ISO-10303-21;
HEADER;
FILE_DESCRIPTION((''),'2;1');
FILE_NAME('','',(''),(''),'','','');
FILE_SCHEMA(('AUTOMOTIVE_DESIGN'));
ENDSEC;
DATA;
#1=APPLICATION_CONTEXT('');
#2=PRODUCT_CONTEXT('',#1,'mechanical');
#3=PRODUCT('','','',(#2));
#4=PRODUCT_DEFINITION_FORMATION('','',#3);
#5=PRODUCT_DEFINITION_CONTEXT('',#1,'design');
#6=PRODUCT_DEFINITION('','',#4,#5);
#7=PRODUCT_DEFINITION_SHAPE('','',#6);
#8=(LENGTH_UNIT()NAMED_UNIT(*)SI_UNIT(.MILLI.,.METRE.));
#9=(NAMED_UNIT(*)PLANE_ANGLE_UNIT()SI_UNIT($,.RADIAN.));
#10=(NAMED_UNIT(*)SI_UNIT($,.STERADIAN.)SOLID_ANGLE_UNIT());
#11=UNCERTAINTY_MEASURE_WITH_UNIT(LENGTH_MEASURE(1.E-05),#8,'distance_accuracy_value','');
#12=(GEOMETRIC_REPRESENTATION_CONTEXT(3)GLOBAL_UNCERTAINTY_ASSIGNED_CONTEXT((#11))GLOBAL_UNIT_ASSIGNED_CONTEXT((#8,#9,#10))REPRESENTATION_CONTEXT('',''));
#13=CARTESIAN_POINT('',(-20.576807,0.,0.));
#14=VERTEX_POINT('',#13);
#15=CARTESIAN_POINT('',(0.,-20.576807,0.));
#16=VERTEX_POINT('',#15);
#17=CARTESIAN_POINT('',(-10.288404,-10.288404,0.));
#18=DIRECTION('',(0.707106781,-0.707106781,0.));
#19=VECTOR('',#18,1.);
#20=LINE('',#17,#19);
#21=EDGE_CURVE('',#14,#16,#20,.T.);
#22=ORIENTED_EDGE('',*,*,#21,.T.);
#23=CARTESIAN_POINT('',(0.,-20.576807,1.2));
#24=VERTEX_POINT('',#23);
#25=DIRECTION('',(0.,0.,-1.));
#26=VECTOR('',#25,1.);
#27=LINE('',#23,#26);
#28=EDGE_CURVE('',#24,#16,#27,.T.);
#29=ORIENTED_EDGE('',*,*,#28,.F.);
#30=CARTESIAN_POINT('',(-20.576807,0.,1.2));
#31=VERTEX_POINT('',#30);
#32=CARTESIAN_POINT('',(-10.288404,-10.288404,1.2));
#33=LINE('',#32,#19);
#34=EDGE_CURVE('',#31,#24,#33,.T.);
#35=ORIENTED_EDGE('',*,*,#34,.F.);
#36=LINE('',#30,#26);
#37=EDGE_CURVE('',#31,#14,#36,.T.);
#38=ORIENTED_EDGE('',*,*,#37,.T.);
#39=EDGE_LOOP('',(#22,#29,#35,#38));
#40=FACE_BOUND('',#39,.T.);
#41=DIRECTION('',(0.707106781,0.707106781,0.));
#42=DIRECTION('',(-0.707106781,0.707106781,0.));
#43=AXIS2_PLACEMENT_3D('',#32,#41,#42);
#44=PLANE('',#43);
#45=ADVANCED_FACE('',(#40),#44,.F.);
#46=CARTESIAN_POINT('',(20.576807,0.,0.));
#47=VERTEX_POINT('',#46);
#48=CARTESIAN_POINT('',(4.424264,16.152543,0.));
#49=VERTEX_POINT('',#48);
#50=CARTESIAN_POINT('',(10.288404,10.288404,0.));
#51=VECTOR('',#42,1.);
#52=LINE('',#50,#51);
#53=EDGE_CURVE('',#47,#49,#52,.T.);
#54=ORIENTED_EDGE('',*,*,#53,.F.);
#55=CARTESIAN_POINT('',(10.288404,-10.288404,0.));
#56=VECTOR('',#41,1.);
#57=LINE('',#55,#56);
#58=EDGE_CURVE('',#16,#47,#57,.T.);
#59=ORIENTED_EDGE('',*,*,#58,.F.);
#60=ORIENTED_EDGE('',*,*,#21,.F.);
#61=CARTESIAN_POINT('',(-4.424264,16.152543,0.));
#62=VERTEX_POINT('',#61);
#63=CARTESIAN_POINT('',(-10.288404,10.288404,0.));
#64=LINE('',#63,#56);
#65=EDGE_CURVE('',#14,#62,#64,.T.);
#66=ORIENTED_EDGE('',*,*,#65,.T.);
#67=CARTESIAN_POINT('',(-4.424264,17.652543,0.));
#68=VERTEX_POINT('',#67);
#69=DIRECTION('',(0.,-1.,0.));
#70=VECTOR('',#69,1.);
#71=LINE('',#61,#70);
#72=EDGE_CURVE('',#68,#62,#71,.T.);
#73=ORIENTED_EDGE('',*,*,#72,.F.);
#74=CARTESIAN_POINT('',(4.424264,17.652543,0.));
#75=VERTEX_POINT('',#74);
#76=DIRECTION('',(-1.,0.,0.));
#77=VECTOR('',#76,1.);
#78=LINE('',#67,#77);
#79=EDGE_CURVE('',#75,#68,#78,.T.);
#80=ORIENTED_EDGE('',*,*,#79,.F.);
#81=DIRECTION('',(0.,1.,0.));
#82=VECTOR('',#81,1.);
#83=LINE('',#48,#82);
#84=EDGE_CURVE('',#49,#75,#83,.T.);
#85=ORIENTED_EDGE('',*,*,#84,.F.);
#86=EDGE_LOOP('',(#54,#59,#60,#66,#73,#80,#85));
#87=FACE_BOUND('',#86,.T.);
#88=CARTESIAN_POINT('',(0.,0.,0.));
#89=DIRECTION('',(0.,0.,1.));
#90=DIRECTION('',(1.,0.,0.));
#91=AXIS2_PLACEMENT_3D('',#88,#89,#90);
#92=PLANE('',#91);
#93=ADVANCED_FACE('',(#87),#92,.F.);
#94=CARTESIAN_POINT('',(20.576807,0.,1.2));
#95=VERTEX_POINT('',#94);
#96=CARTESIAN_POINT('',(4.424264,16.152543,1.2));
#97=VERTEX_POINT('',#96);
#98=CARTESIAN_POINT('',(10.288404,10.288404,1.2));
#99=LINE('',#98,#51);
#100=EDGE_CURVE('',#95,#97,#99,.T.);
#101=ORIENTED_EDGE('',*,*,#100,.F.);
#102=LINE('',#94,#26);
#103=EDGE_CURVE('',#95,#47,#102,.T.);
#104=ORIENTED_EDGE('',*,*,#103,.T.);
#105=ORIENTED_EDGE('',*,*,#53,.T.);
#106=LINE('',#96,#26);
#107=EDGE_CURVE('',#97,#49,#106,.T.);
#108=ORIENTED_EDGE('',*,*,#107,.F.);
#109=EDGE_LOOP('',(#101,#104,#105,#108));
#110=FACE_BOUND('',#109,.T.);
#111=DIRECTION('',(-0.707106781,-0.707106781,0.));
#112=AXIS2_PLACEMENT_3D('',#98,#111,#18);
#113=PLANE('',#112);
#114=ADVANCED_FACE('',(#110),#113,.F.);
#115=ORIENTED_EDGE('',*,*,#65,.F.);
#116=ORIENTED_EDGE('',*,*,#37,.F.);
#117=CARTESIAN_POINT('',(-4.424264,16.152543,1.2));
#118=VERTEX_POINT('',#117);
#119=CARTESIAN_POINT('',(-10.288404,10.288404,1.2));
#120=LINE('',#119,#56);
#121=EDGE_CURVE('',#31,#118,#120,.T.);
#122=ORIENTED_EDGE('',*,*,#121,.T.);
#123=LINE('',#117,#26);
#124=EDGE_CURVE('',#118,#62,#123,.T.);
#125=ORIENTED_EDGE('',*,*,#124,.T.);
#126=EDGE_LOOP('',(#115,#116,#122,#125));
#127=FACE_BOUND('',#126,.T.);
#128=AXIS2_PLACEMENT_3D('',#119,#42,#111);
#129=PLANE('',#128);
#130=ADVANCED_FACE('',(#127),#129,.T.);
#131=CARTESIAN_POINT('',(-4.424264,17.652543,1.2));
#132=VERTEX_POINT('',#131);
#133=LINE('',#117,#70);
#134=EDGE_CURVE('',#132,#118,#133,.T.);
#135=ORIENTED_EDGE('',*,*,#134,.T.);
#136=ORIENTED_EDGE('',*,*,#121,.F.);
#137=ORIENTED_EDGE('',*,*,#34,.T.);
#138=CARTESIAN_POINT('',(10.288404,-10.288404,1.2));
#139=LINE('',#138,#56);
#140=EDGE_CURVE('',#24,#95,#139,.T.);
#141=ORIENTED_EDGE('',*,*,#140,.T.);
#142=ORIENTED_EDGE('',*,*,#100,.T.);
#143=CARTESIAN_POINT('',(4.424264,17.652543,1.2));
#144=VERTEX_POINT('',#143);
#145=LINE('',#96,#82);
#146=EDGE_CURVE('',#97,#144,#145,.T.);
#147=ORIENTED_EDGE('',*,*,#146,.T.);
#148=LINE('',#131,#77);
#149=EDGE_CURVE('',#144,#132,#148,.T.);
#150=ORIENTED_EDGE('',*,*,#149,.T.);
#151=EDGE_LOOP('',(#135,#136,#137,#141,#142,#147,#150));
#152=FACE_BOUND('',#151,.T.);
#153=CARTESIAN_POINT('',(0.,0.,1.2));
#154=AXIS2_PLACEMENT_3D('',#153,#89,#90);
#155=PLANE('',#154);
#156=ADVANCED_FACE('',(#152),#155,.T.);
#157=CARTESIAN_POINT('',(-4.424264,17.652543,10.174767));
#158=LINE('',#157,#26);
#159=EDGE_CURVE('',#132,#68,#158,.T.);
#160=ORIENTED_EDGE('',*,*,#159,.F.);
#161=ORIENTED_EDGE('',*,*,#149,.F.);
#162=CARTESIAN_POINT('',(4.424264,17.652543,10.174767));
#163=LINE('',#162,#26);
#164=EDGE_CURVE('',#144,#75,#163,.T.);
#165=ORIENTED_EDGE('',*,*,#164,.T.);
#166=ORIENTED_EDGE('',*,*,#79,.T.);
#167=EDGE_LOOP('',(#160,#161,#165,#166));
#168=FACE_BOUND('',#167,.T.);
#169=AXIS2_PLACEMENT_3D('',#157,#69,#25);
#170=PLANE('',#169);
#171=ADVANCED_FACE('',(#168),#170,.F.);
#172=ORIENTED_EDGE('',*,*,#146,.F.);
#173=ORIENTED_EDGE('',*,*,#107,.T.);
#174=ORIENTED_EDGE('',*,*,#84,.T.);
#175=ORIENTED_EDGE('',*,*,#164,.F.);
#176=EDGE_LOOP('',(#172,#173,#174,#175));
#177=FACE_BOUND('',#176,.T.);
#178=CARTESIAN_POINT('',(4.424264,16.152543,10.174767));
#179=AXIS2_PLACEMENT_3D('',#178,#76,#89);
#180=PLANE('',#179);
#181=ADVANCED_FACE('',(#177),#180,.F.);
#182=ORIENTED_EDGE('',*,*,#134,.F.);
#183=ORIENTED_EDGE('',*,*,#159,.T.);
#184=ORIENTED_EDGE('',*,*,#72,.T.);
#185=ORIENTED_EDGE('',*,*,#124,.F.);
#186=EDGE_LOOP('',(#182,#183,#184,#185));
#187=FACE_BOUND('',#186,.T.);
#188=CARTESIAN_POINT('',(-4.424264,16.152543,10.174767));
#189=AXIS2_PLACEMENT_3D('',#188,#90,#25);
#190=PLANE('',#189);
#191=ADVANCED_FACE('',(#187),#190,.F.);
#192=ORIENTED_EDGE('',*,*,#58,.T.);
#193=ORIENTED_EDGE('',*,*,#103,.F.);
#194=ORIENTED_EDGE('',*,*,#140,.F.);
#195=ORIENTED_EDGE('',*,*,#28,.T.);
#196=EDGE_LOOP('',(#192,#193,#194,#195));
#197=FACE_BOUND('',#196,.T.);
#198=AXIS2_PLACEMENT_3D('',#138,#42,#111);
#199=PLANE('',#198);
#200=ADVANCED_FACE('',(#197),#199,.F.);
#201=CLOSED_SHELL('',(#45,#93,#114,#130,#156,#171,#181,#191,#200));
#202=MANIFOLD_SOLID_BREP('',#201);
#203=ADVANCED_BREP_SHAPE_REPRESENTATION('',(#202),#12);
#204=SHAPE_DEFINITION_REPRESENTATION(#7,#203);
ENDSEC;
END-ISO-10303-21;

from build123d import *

# Parameters (mm, degrees)
BOSS_EXTRUDE1_DEPTH = 1.2
SKETCH2_W           = 8.848528138
SKETCH2_H           = 1.5
BOSS_EXTRUDE2_DEPTH = 1.2


with BuildPart() as part:
    # Sketch1 → Boss-Extrude1 (new body)
    with BuildSketch(Plane.XY):
        Polygon((4, 16.152543264), (-4, 16.152543264), (-20.152543264, 0), (0, -20.152543264), (20.152543264, 0), align=None)
        Polygon((-4.424264069, 16.152543264), (-4.624264069, 15.952543264), (-4.482842712, 15.952543264), (-20.435385976, 0), (0, -20.435385976), (20.435385976, 0), (4.482842712, 15.952543264), (4.624264069, 15.952543264), (4.424264069, 16.152543264), (4, 16.152543264), (20.152543264, 0), (0, -20.152543264), (-20.152543264, 0), (-4, 16.152543264), align=None)
        Polygon((-20.435385976, 0), (-4.482842712, 15.952543264), (-4.624264069, 15.952543264), (-20.576807333, 0), (0, -20.576807333), (20.576807333, 0), (4.624264069, 15.952543264), (4.482842712, 15.952543264), (20.435385976, 0), (0, -20.435385976), align=None)
    extrude(amount=BOSS_EXTRUDE1_DEPTH)

    # Sketch2 → Boss-Extrude2 (add)
    with BuildSketch(Plane.XY):
        with Locations((0, 16.902543264)):
            Rectangle(SKETCH2_W, SKETCH2_H)
    extrude(amount=BOSS_EXTRUDE2_DEPTH)


solid = part.part
